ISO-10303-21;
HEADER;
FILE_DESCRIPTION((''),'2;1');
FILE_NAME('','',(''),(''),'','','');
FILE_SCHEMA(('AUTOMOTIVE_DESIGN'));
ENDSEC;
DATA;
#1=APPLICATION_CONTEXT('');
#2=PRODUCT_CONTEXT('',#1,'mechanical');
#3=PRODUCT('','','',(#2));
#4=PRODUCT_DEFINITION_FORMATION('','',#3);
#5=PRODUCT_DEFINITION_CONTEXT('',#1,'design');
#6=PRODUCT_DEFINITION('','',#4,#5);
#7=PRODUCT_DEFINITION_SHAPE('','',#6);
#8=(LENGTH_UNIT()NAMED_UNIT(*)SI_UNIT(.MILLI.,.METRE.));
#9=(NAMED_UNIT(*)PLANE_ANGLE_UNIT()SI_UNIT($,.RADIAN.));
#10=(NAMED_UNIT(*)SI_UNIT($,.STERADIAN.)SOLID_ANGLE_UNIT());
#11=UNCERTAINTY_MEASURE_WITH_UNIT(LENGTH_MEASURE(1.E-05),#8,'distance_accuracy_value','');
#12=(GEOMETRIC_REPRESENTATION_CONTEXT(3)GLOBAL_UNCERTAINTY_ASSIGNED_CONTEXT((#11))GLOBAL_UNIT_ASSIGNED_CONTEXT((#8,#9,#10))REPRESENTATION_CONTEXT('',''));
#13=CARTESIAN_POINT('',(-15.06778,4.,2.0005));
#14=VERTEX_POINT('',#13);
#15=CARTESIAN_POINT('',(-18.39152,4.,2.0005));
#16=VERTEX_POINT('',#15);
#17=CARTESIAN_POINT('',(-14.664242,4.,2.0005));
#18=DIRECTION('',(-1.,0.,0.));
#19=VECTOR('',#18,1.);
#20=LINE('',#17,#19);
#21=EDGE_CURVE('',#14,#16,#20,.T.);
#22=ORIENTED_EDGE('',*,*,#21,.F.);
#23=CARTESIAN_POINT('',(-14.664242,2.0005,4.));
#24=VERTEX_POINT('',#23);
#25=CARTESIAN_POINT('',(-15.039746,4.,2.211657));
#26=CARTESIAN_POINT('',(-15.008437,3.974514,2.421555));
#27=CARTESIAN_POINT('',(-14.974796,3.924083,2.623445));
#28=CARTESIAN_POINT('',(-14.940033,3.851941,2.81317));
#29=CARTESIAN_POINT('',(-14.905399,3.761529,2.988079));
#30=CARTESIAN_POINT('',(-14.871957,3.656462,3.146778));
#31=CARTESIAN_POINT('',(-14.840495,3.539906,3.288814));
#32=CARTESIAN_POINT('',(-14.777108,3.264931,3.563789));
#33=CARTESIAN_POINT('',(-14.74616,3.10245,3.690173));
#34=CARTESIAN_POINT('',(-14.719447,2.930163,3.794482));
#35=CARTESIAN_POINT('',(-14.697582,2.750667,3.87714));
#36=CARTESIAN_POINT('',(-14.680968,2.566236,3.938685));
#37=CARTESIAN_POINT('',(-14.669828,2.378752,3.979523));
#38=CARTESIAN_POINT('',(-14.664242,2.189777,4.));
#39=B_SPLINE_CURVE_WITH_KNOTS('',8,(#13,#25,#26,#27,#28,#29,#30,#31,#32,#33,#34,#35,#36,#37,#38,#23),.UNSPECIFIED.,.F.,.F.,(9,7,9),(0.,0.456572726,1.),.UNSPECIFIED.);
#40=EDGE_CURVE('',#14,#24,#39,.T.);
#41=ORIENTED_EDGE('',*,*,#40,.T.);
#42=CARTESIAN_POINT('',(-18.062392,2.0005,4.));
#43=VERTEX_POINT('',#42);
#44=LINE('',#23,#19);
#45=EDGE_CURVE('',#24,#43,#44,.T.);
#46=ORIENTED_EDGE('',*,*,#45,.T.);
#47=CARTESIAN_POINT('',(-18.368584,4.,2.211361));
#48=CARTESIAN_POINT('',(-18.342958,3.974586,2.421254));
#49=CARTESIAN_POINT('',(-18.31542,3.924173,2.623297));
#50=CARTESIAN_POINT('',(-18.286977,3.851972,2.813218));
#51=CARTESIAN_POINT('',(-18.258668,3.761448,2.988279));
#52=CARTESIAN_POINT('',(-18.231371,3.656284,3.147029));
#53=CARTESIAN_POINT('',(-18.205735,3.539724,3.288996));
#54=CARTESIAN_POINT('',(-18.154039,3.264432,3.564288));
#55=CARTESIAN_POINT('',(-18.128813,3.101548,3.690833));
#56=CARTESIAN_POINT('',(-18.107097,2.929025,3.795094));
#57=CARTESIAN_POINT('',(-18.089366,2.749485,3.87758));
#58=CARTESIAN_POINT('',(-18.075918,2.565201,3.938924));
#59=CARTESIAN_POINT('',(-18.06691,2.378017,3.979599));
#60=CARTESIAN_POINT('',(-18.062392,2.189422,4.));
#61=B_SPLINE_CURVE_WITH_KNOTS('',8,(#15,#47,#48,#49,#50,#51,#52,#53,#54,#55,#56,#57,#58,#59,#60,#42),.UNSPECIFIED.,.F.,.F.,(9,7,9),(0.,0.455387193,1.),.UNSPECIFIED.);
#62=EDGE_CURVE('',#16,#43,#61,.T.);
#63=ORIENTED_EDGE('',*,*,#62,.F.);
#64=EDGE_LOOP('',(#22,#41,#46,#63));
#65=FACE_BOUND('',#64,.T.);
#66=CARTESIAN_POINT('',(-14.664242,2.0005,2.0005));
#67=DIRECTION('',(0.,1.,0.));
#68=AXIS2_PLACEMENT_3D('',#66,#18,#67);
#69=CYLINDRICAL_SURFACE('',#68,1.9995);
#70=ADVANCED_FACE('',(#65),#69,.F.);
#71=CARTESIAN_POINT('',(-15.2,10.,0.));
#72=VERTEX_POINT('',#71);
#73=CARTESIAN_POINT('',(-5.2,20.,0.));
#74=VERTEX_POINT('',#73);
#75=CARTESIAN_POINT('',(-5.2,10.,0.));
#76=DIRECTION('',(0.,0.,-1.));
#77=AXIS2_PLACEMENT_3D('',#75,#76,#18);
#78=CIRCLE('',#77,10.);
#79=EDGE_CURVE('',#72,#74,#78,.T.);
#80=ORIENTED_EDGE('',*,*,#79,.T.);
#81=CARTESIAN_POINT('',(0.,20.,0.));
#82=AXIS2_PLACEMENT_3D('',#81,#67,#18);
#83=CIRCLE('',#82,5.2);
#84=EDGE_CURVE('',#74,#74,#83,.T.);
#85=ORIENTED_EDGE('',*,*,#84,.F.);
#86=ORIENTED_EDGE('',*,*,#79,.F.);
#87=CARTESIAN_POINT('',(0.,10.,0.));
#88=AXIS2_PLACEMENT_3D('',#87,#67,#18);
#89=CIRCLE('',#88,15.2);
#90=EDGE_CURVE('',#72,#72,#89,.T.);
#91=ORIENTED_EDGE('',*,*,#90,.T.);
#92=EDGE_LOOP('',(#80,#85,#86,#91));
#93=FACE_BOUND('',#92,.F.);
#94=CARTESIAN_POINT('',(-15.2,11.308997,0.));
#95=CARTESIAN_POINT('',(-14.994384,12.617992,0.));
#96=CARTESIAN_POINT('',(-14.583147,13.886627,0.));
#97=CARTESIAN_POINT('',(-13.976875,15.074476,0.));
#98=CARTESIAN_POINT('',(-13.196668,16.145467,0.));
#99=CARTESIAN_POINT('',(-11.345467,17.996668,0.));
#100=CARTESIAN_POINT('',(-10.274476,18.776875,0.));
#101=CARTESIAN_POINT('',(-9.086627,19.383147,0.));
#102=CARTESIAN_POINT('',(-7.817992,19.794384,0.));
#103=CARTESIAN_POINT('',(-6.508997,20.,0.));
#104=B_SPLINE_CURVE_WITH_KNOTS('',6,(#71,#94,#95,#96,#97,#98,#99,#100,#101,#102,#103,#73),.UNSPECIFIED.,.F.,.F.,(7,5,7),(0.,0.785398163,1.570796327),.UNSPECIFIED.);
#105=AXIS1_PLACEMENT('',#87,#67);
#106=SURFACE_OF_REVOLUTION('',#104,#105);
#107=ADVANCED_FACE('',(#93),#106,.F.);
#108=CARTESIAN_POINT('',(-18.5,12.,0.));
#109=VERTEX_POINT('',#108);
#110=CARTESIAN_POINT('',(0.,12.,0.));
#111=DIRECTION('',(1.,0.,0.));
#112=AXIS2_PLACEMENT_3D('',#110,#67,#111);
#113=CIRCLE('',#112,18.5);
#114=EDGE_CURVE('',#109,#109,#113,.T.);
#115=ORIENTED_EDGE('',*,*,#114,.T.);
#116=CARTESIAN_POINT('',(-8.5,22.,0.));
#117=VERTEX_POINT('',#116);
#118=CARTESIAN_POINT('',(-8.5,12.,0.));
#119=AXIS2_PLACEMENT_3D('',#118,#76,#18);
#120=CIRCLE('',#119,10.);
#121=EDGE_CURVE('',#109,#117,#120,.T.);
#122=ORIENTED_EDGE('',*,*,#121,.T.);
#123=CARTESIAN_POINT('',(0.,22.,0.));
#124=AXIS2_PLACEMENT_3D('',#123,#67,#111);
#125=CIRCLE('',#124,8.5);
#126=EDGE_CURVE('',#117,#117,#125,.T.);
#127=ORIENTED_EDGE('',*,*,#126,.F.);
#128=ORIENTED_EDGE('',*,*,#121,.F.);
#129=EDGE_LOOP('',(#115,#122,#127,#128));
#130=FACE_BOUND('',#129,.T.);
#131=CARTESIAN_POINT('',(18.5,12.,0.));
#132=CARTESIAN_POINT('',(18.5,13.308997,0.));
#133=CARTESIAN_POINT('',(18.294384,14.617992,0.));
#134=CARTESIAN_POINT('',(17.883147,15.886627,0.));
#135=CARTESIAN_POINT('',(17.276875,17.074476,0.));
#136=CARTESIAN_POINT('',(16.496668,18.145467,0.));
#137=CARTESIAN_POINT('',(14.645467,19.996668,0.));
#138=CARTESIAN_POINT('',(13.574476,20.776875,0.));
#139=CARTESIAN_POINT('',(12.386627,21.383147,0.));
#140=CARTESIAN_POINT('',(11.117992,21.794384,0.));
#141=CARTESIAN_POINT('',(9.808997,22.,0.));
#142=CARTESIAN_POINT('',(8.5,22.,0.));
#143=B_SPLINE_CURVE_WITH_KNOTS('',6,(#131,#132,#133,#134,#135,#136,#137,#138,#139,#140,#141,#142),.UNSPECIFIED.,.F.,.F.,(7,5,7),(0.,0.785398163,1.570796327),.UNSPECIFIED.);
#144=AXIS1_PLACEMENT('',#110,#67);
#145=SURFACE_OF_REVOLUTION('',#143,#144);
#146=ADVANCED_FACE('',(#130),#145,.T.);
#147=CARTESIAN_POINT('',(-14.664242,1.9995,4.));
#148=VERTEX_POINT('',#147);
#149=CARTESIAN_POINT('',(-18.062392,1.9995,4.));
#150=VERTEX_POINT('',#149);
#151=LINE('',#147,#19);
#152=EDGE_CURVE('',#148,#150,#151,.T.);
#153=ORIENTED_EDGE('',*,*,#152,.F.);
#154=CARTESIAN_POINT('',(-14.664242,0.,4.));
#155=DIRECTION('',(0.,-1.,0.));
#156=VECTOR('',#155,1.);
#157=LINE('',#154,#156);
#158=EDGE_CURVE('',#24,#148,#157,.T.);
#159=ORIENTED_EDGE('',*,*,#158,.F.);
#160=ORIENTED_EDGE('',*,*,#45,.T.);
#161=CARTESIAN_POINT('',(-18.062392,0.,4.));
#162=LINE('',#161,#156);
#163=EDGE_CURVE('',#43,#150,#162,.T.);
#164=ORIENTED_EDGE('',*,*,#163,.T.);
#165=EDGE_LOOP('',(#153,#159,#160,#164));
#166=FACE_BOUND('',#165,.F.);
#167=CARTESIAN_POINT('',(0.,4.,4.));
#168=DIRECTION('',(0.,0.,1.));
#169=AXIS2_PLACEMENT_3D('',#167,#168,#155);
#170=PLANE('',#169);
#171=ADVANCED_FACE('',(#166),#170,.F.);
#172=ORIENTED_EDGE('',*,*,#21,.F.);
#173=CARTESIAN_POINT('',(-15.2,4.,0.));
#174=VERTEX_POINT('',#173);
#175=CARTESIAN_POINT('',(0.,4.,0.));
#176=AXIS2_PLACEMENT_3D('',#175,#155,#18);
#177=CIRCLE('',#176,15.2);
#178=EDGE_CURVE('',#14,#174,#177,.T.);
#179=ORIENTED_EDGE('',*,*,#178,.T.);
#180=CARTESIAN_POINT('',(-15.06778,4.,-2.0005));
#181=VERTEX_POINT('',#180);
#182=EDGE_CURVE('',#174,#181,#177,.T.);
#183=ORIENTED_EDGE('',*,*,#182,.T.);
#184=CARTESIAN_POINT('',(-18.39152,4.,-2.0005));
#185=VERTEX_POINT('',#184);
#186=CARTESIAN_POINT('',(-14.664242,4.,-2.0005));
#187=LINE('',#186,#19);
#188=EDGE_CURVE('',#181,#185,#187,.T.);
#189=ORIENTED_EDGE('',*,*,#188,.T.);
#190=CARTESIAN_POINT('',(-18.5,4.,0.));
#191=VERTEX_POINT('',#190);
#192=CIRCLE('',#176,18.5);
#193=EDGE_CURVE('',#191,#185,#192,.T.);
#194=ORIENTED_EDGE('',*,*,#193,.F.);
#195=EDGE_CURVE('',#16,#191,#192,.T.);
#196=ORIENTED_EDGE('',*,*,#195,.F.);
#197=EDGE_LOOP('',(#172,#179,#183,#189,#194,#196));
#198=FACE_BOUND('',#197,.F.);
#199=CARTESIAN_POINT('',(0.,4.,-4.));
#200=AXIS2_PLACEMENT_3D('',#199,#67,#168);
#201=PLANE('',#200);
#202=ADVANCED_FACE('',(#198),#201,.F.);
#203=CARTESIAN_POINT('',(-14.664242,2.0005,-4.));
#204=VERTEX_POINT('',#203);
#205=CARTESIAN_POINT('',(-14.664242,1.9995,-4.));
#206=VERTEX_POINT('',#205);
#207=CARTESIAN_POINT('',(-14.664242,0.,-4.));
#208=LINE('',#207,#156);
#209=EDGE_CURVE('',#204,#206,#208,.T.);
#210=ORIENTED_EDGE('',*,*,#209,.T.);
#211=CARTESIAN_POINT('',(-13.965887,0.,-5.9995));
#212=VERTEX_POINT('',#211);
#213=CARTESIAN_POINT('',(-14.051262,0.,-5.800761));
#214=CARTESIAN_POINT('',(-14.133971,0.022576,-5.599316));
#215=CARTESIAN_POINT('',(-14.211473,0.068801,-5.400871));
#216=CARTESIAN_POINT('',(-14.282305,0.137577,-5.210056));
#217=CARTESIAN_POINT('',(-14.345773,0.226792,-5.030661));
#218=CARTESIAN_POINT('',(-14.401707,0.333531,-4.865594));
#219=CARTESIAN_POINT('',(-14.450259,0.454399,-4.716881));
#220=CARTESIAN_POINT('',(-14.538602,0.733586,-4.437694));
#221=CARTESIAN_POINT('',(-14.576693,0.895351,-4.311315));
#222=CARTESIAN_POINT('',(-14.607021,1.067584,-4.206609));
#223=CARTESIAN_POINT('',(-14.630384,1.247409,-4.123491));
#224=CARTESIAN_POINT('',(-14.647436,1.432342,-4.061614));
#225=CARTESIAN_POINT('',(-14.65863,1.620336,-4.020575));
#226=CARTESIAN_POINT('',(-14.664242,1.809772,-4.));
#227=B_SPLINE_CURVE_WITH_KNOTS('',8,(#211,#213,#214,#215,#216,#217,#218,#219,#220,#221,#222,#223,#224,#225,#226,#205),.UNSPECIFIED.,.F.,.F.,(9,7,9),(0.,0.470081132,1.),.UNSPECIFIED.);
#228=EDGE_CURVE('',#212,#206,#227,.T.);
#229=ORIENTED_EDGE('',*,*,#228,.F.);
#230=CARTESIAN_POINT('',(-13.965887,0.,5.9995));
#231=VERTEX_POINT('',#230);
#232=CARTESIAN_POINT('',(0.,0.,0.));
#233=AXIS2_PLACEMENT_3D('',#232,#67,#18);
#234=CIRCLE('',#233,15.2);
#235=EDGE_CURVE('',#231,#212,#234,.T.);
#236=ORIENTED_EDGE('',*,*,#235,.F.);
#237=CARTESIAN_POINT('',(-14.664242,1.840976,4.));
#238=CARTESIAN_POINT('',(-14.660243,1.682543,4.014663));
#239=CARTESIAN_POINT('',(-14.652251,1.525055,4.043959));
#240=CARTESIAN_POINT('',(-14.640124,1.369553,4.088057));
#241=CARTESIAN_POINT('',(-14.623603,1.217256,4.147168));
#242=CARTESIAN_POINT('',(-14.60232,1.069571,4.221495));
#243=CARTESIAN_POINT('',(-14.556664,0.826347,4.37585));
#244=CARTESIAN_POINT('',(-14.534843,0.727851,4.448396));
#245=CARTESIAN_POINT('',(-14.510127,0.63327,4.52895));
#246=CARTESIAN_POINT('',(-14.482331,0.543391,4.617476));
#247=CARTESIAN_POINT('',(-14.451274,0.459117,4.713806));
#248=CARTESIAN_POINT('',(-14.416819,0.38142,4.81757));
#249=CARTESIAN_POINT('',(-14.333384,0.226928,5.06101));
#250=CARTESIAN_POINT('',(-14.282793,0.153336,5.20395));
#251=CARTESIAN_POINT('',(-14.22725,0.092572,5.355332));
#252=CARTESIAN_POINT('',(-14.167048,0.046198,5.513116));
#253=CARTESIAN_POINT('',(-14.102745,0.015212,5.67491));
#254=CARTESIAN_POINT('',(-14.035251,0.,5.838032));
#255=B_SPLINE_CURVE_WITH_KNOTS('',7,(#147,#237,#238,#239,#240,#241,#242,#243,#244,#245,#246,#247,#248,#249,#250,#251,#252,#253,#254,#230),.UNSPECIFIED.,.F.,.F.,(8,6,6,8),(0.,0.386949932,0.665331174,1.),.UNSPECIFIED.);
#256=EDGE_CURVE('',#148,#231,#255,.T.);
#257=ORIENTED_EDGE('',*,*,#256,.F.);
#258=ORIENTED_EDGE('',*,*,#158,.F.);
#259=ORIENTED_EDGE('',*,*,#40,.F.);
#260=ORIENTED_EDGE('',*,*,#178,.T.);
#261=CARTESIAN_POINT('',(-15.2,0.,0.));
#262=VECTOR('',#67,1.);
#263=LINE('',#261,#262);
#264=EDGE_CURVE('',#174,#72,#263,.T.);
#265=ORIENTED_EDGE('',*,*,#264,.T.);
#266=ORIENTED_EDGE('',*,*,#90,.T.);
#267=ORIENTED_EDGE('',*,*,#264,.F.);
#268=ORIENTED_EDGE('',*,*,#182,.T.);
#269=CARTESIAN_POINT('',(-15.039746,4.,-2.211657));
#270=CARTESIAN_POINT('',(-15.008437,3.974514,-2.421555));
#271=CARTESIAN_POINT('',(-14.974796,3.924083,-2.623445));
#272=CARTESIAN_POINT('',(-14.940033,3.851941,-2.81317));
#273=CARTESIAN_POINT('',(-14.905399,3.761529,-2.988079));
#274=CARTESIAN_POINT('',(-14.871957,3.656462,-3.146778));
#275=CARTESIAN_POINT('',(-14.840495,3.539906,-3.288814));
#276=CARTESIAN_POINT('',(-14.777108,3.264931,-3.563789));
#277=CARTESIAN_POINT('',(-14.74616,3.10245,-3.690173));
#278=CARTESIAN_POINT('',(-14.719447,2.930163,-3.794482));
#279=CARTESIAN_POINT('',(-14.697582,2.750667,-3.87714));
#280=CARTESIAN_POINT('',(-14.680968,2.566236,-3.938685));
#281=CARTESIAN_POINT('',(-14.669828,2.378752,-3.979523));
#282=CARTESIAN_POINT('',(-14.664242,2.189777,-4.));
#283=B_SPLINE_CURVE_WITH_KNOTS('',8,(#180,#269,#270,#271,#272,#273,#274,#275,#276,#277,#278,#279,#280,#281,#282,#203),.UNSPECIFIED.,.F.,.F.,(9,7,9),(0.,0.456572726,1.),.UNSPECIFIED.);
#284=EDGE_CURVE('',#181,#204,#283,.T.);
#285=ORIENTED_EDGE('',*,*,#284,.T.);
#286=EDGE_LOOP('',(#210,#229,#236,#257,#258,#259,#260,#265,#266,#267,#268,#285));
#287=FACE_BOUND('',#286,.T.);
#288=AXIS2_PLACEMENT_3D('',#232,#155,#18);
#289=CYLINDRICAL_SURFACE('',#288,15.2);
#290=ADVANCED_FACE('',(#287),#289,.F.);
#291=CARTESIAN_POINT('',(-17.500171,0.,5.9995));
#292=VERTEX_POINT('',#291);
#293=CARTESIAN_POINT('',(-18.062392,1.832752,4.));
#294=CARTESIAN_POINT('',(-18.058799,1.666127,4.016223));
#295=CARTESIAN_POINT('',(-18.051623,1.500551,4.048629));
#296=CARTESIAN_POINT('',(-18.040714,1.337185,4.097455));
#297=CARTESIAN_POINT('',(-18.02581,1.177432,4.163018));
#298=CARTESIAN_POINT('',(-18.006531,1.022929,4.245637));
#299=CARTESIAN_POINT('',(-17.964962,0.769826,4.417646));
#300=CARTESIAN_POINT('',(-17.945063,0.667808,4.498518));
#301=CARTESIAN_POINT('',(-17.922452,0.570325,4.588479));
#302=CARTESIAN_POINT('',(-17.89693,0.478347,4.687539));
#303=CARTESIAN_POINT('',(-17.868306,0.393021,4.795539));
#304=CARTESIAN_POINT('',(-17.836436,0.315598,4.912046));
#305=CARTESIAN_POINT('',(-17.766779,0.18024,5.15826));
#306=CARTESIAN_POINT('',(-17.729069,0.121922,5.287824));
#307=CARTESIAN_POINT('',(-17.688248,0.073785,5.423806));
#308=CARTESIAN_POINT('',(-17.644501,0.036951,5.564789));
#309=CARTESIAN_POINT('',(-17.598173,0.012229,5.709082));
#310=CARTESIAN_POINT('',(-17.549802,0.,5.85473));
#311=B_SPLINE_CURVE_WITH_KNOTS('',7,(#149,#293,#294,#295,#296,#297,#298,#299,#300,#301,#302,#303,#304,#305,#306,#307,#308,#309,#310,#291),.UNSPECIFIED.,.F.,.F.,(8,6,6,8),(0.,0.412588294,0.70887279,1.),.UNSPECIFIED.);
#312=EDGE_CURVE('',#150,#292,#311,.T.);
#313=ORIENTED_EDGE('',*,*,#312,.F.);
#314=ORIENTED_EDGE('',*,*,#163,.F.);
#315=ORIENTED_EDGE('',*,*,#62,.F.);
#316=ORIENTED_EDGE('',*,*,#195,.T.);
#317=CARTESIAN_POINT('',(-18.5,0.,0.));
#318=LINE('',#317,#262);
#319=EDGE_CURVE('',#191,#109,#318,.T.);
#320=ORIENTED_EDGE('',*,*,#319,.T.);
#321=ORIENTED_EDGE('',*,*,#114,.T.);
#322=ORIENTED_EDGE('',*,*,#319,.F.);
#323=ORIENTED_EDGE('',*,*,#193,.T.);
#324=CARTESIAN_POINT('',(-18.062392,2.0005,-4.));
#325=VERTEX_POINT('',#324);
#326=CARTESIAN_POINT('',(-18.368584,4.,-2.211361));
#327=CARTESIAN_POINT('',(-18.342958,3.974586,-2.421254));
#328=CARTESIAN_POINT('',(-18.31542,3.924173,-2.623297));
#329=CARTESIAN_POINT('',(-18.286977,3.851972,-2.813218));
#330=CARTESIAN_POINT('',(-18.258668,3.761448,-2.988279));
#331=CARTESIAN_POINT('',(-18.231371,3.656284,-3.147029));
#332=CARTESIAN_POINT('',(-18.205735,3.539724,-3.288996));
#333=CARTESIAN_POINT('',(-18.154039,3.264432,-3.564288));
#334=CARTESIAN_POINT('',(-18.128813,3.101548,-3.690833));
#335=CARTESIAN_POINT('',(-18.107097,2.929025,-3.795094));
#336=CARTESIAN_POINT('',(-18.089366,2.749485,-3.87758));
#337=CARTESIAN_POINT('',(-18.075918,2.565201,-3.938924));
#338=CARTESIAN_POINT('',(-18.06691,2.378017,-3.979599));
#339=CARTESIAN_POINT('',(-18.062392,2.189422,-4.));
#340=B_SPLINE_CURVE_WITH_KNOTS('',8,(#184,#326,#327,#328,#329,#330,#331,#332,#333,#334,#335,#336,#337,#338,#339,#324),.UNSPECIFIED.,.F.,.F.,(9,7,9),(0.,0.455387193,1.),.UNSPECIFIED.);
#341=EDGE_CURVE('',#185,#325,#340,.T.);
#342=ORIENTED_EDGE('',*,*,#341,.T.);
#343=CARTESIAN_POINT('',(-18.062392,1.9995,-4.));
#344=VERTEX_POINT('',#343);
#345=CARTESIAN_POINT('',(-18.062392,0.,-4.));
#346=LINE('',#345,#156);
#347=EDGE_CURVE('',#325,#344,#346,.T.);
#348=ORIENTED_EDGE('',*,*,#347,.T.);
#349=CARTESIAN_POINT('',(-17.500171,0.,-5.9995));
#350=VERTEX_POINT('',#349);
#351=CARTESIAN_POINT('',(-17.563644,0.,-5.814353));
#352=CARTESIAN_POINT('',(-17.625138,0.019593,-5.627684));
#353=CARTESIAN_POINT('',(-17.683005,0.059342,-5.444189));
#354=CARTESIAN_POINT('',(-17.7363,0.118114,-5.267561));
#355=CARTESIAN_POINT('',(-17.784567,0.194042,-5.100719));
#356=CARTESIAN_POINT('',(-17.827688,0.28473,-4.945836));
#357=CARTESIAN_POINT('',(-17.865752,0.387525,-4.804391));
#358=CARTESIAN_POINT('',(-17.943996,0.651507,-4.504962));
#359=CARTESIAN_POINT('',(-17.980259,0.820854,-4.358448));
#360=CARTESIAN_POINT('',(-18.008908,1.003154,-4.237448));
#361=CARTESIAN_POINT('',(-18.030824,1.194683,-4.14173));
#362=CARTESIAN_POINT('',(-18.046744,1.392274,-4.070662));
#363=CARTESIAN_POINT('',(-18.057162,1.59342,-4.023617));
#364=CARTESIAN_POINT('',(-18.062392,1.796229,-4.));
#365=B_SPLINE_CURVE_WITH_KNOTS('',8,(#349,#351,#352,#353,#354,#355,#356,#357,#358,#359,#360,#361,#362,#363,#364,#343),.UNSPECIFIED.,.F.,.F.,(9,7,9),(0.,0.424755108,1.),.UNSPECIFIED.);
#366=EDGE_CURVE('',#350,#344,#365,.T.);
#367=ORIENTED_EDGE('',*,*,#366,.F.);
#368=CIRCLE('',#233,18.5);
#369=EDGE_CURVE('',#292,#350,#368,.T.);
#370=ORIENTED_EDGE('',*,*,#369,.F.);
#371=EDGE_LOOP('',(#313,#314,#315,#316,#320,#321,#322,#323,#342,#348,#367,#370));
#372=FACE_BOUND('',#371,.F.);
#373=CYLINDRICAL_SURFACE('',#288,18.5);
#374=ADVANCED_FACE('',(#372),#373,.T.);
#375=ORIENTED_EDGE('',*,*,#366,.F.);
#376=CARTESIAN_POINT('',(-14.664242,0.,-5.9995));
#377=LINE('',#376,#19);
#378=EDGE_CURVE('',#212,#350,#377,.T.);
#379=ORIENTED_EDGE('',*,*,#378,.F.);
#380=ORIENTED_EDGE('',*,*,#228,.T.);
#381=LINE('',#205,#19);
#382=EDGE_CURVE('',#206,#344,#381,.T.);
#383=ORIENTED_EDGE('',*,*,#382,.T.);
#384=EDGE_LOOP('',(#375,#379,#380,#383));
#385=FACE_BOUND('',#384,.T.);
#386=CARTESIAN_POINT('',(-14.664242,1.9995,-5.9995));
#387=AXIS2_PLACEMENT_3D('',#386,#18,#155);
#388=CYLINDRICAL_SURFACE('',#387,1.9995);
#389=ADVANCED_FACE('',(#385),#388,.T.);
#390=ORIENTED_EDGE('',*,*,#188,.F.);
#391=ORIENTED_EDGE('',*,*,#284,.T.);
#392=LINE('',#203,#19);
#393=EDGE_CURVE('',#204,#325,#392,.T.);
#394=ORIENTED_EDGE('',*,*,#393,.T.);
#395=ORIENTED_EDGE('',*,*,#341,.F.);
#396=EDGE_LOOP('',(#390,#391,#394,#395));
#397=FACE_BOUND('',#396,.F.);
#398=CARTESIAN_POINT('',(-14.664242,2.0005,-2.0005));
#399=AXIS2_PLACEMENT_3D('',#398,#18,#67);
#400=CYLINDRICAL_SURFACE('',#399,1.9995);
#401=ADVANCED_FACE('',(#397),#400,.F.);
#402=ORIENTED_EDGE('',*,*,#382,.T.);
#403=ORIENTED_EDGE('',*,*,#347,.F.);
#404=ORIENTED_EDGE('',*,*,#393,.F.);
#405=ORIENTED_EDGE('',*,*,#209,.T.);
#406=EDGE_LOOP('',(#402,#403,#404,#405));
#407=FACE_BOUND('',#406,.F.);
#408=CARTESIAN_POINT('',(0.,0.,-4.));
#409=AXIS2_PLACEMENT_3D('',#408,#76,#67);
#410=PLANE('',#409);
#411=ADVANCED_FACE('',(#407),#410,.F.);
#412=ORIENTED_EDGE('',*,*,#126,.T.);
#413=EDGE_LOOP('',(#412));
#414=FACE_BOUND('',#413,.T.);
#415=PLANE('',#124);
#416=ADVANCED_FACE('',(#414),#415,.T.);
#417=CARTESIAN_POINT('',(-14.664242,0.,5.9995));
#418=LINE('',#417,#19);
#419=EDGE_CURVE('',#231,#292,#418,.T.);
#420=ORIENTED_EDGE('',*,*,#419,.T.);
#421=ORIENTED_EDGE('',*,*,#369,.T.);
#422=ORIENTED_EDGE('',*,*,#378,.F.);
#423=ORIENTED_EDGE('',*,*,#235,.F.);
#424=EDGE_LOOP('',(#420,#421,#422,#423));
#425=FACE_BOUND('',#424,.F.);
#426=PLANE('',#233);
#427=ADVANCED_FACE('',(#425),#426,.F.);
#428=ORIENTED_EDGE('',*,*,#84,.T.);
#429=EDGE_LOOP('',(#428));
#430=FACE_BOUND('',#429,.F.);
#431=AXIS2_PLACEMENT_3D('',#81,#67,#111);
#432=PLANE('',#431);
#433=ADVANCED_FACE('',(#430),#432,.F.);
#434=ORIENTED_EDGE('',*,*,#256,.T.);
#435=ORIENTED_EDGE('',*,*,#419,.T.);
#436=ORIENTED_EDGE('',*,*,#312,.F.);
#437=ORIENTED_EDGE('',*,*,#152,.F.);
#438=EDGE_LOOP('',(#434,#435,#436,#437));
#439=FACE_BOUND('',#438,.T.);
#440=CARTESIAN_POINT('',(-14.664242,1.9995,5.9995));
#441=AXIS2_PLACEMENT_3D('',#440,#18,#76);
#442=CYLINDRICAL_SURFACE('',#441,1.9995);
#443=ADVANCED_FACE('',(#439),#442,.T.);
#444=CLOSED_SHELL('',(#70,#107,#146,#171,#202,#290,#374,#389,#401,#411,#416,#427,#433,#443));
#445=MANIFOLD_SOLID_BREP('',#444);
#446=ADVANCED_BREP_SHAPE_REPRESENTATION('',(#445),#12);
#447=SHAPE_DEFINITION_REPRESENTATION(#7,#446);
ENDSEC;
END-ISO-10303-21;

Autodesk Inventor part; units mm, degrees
ref_plane "YZ Plane" through (0, 0, 0) normal (1, 0, 0) x (0, 1, 0)
ref_plane "XZ Plane" through (0, 0, 0) normal (0, 1, 0) x (-1, 0, 0)
ref_plane "XY Plane" through (0, 0, 0) normal (0, 0, 1) x (1, 0, 0)
sketch "스케치1" plane through (0, 0, 0) normal (0, 1, 0) x (-1, 0, 0)
  circle A0 centre (0, 0) radius 15.2
  circle A1 centre (0, 0) radius 18.5
  dimension "d0" = 30.4
  dimension "d1" = 37
extrude "돌출1" add sketch "스케치1" along normal blind 20
sketch "스케치2" plane through (0, 20, 0) normal (0, 1, 0) x (1, 0, 0)
  circle A0 centre (0, 0) radius 18.5 projected
  circle A1 centre (0, 0) radius 15.2 projected
extrude "돌출2" add sketch "스케치2" along normal blind 2 contours A0 | A1
fillet "모깎기1" radius 10 2 edges at (15.2, 20, 0) (-18.5, 22, 0)
sketch "스케치3" plane through (0, 0, 0) normal (1, 0, 0) x (0, 1, 0)
  line L0 (0, -18.5) -> (0, 18.5) projected
  line L1 (4, 4) -> (0, 4)
  line L2 (0, 4) -> (0, -4)
  line L3 (0, -4) -> (4, -4)
  line L4 (4, -4) -> (4, 4)
  point P0 (0, 0)
  point P1 (0, 0)
  point P2 (0, 4)
  dimension "d7" = 4
  dimension "d8" = 8
extrude "돌출3" cut sketch "스케치3" against normal through all
fillet "모깎기2" radius 2 4 edges at (-16.3633, 0, 4) (-16.3633, 4, -4) (-16.3633, 0, -4) (-16.3633, 4, 4)
properties part number "arm 2 cover_1"
